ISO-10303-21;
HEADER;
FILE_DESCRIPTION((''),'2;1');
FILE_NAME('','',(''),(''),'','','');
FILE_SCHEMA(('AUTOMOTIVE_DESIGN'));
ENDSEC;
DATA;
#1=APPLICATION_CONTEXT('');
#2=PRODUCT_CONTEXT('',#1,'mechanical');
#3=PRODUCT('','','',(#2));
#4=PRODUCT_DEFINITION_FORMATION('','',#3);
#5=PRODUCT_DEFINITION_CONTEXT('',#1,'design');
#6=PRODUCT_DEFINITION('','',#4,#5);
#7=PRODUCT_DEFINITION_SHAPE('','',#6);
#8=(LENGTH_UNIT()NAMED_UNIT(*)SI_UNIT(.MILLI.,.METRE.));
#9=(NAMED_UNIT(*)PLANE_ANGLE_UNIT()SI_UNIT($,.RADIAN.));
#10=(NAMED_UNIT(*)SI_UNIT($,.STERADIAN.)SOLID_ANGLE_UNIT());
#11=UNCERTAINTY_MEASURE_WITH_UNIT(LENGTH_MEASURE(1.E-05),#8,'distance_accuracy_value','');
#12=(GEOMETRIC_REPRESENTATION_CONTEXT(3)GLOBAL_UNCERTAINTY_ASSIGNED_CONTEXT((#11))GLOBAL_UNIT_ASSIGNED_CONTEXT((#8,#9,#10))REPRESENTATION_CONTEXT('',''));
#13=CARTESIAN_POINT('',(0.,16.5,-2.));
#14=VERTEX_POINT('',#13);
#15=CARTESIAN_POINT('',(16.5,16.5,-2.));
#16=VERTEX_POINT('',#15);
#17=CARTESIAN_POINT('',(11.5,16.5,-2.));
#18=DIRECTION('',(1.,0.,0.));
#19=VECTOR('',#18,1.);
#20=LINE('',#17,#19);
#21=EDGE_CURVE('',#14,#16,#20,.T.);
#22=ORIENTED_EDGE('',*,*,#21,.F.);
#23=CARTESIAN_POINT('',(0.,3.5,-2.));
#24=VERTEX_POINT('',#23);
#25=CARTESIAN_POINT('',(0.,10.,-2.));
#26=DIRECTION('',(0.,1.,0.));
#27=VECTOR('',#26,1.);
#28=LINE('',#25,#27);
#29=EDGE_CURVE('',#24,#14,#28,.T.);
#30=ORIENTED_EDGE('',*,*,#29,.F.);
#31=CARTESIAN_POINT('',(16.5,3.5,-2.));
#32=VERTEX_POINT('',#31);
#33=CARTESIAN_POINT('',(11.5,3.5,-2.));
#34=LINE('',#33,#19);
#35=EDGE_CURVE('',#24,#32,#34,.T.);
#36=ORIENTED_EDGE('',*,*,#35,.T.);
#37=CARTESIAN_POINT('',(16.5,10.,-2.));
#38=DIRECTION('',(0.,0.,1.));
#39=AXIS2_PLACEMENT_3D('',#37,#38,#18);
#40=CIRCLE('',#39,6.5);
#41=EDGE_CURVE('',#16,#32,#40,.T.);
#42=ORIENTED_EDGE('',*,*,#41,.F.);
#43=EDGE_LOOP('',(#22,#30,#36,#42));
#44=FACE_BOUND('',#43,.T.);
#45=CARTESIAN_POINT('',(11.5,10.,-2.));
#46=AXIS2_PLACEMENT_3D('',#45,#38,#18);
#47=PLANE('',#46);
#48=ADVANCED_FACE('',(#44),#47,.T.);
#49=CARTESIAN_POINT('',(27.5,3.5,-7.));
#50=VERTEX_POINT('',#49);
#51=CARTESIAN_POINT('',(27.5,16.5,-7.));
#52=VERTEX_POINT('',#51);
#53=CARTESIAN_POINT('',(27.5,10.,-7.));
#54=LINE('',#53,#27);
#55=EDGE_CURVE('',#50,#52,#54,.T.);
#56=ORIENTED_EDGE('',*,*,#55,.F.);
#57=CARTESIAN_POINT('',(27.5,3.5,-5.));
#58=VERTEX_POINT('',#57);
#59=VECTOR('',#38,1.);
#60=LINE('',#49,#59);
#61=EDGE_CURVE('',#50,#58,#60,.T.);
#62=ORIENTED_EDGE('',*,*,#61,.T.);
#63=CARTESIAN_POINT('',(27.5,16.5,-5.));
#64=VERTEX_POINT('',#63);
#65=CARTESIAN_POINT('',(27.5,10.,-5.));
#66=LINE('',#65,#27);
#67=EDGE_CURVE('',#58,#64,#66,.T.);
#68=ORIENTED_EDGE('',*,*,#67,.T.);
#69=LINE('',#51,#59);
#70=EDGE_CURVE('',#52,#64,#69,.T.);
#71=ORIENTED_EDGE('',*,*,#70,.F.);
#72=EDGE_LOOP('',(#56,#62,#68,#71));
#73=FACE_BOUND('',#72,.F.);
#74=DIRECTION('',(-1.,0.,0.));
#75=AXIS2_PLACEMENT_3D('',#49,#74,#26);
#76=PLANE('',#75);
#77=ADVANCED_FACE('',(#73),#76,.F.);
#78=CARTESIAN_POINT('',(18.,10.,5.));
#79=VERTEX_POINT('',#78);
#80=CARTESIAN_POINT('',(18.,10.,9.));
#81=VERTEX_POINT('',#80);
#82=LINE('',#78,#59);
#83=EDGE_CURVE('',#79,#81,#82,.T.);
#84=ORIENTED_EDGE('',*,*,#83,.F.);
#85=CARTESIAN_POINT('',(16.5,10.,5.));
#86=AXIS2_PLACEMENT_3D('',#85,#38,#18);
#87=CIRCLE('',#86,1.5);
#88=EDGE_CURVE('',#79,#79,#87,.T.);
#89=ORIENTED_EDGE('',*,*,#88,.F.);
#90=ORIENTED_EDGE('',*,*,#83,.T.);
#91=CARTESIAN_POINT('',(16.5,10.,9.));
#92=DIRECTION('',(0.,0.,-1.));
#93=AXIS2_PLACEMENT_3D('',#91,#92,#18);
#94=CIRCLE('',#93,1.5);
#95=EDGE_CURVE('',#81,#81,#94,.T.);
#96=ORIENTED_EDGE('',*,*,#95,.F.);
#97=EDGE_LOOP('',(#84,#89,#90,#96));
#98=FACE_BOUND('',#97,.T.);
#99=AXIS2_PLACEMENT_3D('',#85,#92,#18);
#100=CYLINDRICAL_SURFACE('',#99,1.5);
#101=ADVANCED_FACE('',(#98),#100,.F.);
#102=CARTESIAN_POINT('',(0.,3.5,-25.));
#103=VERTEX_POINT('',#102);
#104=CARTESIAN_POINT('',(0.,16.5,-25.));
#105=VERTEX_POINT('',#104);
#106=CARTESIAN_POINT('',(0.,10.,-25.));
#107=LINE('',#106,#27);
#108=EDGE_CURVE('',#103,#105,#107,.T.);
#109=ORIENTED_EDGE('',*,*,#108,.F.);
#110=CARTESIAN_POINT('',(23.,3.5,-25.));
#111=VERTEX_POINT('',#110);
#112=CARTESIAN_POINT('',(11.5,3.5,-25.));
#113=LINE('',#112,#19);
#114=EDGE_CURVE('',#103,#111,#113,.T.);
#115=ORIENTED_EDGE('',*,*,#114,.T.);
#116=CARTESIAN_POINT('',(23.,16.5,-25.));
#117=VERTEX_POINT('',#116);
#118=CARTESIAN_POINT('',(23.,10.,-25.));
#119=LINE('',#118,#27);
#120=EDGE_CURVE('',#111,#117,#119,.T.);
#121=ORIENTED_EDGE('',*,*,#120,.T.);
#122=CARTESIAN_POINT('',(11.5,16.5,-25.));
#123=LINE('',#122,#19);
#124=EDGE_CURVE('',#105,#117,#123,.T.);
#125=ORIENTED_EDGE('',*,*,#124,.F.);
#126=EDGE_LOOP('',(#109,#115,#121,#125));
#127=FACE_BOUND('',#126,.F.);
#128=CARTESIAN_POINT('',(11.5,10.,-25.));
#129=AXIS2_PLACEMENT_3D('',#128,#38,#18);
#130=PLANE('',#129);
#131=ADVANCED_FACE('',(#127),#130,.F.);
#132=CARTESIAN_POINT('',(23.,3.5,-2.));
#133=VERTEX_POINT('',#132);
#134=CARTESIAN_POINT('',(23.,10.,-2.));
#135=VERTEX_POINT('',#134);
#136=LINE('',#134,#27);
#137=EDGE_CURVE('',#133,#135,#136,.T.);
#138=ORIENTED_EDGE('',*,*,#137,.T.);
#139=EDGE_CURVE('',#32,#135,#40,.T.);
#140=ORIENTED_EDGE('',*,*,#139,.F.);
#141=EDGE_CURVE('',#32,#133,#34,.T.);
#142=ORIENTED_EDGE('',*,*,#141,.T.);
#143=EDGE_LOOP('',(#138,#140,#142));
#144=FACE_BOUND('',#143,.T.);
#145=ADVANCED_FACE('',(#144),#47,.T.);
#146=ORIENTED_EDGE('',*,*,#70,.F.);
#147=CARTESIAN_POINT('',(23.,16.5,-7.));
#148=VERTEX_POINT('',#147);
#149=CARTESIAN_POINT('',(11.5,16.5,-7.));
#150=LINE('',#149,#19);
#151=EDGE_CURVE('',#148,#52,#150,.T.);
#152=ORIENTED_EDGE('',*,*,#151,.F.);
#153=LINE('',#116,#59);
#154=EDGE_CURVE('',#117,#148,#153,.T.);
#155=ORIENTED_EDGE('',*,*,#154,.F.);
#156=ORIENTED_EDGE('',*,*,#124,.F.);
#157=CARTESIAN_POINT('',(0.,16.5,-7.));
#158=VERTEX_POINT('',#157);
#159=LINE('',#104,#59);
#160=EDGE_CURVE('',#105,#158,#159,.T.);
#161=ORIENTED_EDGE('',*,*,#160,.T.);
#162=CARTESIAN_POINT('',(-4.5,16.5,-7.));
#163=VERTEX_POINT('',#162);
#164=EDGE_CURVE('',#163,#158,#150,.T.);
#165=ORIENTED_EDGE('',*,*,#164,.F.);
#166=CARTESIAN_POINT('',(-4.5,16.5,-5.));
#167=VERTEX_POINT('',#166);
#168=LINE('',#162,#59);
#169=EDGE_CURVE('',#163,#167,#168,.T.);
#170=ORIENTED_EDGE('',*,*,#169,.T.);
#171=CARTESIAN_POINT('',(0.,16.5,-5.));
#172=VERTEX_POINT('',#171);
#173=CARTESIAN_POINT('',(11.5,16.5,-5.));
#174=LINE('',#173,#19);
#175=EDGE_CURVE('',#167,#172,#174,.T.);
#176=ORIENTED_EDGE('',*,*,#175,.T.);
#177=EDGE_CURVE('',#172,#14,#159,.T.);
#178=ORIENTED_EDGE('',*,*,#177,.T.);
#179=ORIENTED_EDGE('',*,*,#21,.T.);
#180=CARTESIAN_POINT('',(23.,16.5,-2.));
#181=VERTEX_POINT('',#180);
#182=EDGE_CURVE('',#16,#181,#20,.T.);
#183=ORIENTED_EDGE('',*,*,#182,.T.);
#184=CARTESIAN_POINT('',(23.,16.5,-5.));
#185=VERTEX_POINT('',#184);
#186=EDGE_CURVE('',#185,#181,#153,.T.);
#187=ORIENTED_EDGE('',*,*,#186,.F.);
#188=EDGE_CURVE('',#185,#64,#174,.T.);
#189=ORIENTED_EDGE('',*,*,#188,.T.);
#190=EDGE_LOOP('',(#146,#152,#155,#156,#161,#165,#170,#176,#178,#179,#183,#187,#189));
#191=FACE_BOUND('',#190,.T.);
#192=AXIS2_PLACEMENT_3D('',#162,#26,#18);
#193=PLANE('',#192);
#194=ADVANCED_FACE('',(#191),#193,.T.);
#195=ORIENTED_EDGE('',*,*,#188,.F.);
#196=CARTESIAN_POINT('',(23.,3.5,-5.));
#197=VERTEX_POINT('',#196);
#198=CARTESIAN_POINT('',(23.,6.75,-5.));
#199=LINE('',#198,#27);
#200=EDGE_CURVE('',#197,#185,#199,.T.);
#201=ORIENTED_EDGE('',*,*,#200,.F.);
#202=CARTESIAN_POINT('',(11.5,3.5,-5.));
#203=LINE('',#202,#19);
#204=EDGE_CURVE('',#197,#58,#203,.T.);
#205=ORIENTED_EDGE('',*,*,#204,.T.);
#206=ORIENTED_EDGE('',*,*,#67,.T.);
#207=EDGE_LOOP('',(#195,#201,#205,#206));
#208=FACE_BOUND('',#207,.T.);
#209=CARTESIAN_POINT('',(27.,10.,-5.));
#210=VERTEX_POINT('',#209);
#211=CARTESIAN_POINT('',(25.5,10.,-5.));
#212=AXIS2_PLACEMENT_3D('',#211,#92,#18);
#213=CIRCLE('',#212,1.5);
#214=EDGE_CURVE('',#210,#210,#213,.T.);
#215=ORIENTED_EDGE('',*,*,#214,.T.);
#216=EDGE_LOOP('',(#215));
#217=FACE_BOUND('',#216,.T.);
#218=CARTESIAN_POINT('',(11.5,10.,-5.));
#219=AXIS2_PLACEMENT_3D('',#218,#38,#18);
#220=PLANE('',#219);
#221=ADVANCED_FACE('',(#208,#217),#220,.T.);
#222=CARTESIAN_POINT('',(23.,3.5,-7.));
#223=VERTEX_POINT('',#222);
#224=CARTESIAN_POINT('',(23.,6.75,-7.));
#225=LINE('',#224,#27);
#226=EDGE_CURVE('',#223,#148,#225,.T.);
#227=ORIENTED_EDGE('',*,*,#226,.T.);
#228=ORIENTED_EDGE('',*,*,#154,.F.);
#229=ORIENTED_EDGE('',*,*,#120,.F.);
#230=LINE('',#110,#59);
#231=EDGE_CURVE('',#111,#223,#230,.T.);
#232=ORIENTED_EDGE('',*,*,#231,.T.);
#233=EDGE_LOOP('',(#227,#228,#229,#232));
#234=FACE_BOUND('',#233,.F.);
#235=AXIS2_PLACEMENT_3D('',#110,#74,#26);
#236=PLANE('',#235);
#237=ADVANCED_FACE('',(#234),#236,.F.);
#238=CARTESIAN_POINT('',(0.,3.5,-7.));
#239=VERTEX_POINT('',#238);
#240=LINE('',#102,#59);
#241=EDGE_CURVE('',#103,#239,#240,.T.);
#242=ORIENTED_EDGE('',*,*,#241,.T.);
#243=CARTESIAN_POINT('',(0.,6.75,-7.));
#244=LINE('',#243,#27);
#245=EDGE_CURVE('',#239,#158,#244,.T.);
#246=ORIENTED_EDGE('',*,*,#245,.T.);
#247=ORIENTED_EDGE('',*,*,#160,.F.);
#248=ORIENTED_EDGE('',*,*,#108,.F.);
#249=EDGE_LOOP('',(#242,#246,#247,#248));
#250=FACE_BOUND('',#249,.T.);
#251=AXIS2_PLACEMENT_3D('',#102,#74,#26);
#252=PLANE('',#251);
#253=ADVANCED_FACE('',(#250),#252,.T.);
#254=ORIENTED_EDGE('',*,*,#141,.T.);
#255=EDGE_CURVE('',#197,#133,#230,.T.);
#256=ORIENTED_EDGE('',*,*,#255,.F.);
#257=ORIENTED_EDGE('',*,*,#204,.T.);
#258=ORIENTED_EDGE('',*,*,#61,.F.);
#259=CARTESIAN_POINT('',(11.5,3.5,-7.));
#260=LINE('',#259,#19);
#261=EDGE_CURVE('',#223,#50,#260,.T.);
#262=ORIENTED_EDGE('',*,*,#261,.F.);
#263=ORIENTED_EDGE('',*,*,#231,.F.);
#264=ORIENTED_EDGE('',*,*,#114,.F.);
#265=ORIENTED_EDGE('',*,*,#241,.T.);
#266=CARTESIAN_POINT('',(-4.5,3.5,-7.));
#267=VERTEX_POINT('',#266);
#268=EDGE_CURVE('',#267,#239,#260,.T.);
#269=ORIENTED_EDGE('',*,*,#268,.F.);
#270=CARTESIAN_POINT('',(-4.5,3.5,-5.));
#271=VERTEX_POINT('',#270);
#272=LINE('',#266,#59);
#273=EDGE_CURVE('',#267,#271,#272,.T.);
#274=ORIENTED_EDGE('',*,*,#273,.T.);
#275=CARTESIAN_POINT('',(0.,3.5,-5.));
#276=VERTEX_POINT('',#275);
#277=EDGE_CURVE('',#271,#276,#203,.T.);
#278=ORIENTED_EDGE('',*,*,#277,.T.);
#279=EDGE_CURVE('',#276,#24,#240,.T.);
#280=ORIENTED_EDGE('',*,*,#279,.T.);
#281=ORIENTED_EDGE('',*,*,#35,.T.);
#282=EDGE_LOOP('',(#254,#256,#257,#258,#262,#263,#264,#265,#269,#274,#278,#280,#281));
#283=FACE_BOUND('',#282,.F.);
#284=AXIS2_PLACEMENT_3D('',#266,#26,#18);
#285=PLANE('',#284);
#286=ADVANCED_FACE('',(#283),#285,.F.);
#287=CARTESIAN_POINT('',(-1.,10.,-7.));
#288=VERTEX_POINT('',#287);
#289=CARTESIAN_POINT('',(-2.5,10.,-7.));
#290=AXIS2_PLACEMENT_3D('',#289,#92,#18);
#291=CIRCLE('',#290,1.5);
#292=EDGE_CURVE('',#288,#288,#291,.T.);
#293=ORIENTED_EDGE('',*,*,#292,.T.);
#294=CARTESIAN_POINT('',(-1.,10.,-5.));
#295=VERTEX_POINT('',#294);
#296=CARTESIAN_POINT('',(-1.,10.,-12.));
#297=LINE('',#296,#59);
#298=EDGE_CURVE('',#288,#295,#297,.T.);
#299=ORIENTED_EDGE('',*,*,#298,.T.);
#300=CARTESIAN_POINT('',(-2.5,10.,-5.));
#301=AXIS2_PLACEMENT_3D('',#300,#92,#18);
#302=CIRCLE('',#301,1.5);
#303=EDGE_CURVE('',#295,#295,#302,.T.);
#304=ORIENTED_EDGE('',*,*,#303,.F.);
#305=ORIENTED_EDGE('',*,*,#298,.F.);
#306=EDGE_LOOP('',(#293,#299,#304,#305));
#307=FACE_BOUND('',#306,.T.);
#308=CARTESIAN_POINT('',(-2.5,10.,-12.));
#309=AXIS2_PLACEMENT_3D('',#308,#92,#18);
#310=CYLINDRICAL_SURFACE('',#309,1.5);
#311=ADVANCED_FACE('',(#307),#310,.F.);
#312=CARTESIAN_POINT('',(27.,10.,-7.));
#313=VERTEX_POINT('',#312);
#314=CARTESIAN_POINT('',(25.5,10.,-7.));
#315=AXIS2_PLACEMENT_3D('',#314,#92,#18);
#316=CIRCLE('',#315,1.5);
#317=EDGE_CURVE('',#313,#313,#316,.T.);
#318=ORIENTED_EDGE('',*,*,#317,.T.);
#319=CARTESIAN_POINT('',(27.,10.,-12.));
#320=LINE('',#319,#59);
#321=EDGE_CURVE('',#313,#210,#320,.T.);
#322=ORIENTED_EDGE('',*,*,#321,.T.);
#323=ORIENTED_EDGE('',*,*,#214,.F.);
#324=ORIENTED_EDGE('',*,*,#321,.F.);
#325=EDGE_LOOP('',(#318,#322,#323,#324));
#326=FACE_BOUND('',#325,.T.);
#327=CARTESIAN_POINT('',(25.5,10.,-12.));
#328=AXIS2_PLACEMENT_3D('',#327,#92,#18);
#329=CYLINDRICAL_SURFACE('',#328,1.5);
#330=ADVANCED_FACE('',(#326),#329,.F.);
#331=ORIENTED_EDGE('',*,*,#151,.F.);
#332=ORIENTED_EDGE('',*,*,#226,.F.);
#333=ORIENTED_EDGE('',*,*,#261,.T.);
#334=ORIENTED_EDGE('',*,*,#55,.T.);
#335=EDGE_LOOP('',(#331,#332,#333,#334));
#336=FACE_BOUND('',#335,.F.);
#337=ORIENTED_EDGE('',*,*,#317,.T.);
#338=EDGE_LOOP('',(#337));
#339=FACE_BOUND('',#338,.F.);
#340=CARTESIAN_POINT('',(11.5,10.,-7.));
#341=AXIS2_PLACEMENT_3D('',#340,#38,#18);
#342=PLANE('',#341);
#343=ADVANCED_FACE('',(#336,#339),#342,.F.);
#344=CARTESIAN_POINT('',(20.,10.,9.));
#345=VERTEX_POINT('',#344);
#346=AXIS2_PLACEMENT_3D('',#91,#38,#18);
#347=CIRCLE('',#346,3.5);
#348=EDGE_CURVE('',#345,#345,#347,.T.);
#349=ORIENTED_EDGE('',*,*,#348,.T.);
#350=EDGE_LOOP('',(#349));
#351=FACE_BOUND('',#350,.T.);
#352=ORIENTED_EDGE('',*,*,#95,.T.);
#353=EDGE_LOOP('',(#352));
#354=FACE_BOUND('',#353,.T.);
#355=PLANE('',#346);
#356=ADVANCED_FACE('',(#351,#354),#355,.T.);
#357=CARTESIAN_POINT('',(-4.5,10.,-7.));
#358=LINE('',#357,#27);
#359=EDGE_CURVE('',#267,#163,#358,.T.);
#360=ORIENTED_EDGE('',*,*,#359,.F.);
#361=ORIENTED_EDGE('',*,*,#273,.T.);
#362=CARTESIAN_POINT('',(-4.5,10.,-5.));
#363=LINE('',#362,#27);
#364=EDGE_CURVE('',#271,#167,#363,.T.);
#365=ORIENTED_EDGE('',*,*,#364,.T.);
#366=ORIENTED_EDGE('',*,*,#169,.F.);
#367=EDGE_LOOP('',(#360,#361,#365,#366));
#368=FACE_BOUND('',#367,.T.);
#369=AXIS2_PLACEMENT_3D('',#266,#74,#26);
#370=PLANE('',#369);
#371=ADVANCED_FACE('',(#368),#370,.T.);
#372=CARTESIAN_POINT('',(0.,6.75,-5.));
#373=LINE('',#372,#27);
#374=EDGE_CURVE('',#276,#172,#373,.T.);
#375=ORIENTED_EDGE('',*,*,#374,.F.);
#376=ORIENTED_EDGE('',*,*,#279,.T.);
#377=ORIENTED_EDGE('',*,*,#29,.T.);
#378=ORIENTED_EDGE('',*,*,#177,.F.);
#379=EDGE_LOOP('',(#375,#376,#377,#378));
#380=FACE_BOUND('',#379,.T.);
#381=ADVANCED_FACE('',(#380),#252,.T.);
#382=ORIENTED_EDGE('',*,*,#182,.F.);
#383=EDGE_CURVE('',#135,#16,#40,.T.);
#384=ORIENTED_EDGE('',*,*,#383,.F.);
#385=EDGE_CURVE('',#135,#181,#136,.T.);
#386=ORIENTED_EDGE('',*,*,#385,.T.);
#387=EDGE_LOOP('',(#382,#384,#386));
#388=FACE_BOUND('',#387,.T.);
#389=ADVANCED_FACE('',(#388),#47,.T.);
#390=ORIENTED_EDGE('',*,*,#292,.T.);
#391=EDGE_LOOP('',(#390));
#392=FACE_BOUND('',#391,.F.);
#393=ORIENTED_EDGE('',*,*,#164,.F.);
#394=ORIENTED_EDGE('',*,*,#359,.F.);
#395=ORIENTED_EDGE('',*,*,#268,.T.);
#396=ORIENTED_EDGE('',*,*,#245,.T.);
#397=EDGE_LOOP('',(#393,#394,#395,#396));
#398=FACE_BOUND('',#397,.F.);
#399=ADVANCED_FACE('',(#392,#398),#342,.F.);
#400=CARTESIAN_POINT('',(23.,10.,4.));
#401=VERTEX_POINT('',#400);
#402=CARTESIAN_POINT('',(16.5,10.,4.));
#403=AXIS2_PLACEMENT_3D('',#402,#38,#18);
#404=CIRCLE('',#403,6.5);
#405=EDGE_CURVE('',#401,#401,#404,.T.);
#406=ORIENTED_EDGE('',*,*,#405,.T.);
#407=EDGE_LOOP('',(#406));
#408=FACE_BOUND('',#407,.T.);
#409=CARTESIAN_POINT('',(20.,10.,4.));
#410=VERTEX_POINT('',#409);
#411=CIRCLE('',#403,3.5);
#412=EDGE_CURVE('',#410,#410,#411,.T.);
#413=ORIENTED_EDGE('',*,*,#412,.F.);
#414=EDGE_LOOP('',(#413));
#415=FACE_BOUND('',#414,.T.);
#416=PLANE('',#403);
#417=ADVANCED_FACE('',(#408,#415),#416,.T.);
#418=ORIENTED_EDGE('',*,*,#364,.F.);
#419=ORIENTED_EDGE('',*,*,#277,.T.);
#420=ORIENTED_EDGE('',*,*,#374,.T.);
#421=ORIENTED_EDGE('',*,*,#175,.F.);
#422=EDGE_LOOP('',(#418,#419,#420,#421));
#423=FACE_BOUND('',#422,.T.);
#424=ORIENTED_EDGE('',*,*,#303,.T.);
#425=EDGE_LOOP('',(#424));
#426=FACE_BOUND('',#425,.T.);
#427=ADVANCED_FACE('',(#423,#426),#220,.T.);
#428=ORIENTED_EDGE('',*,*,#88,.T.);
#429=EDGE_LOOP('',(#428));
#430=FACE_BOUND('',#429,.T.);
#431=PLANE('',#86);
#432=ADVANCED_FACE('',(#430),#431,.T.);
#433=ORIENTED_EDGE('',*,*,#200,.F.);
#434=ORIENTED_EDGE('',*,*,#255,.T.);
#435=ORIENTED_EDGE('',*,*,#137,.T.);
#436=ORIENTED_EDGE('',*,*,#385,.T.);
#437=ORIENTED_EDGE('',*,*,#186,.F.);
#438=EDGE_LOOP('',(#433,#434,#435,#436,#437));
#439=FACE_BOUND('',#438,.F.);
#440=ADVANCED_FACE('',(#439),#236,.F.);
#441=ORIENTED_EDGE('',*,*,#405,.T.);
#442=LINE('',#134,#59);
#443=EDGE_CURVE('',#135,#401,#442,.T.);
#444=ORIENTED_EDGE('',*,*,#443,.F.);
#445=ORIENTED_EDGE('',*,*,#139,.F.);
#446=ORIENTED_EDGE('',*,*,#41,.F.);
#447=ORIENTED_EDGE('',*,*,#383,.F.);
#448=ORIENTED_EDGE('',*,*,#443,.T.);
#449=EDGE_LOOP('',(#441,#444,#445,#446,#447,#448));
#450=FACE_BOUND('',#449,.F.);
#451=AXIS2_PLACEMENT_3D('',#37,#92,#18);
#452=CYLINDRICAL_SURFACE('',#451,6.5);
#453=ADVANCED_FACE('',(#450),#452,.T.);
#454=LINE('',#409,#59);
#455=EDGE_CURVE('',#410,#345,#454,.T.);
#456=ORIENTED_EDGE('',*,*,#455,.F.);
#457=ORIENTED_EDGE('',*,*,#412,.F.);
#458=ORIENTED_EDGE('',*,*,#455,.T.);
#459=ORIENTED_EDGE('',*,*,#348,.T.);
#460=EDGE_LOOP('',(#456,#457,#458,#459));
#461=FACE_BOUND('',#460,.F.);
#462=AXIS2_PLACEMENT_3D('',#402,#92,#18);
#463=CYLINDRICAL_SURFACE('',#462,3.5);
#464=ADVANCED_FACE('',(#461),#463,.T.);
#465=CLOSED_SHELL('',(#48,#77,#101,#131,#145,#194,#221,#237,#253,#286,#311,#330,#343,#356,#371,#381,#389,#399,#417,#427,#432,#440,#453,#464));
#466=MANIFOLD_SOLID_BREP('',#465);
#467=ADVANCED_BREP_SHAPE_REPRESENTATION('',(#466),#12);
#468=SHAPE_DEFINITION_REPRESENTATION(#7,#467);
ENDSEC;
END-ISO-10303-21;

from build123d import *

# Parameters (mm, degrees)
CYLINDER002_R     = 1.5
CYLINDER002_DEPTH = 10
CYLINDER001_R     = 1.5
CYLINDER001_DEPTH = 5
CYLINDER003_R     = 1.5
CYLINDER003_DEPTH = 10
CYLINDER004_R     = 3.5
CYLINDER004_DEPTH = 5
BOX001_W          = 32
BOX001_H          = 13
BOX001_DEPTH      = 2
CYLINDER_R        = 6.5
CYLINDER_DEPTH    = 6
BOX_W             = 23
BOX_H             = 13
BOX_DEPTH         = 23


with BuildPart() as zylinder002:
    # Cylinder002 → Cylinder002 (new body)
    with BuildSketch(Plane(origin=(25.5, 6.5, 13), x_dir=(1, 0, 0), z_dir=(0, 0, 1))):
        Circle(CYLINDER002_R)
    extrude(amount=CYLINDER002_DEPTH)


with BuildPart() as zylinder001:
    # Cylinder001 → Cylinder001 (new body)
    with BuildSketch(Plane(origin=(16.5, 6.5, 30), x_dir=(1, 0, 0), z_dir=(0, 0, 1))):
        Circle(CYLINDER001_R)
    extrude(amount=CYLINDER001_DEPTH)


with BuildPart() as fusion:
    # Cylinder003 → Cylinder003 (new body)
    with BuildSketch(Plane(origin=(-2.5, 6.5, 13), x_dir=(1, 0, 0), z_dir=(0, 0, 1))):
        Circle(CYLINDER003_R)
    extrude(amount=CYLINDER003_DEPTH)

    # Fusion: union Zylinder002, Zylinder001
    add(zylinder002.part)
    add(zylinder001.part)


with BuildPart() as zylinder004:
    # Cylinder004 → Cylinder004 (new body)
    with BuildSketch(Plane(origin=(16.5, 6.5, 29), x_dir=(1, 0, 0), z_dir=(0, 0, 1))):
        Circle(CYLINDER004_R)
    extrude(amount=CYLINDER004_DEPTH)


with BuildPart() as w_rfel001:
    # Box001 → Box001 (new body)
    with BuildSketch(Plane(origin=(-4.5, 0, 18), x_dir=(1, 0, 0), z_dir=(0, 0, 1))):
        with Locations((16, 6.5)):
            Rectangle(BOX001_W, BOX001_H)
    extrude(amount=BOX001_DEPTH)


with BuildPart() as zylinder:
    # Cylinder → Cylinder (new body)
    with BuildSketch(Plane(origin=(16.5, 6.5, 23), x_dir=(1, 0, 0), z_dir=(0, 0, 1))):
        Circle(CYLINDER_R)
    extrude(amount=CYLINDER_DEPTH)


with BuildPart() as servo1:
    # Box → Box (new body)
    with BuildSketch(Plane.XY):
        with Locations((11.5, 6.5)):
            Rectangle(BOX_W, BOX_H)
    extrude(amount=BOX_DEPTH)

    # Fusion001: union Zylinder004, Würfel001, Zylinder
    add(zylinder004.part)
    add(w_rfel001.part)
    add(zylinder.part)

    # Cut: cut Fusion
    add(fusion.part, mode=Mode.SUBTRACT)


with BuildPart() as servo1_1:
    # Cut placement: moved
    add(servo1.part.moved(Location((0, 3.5, -25))))


solid = servo1_1.part
